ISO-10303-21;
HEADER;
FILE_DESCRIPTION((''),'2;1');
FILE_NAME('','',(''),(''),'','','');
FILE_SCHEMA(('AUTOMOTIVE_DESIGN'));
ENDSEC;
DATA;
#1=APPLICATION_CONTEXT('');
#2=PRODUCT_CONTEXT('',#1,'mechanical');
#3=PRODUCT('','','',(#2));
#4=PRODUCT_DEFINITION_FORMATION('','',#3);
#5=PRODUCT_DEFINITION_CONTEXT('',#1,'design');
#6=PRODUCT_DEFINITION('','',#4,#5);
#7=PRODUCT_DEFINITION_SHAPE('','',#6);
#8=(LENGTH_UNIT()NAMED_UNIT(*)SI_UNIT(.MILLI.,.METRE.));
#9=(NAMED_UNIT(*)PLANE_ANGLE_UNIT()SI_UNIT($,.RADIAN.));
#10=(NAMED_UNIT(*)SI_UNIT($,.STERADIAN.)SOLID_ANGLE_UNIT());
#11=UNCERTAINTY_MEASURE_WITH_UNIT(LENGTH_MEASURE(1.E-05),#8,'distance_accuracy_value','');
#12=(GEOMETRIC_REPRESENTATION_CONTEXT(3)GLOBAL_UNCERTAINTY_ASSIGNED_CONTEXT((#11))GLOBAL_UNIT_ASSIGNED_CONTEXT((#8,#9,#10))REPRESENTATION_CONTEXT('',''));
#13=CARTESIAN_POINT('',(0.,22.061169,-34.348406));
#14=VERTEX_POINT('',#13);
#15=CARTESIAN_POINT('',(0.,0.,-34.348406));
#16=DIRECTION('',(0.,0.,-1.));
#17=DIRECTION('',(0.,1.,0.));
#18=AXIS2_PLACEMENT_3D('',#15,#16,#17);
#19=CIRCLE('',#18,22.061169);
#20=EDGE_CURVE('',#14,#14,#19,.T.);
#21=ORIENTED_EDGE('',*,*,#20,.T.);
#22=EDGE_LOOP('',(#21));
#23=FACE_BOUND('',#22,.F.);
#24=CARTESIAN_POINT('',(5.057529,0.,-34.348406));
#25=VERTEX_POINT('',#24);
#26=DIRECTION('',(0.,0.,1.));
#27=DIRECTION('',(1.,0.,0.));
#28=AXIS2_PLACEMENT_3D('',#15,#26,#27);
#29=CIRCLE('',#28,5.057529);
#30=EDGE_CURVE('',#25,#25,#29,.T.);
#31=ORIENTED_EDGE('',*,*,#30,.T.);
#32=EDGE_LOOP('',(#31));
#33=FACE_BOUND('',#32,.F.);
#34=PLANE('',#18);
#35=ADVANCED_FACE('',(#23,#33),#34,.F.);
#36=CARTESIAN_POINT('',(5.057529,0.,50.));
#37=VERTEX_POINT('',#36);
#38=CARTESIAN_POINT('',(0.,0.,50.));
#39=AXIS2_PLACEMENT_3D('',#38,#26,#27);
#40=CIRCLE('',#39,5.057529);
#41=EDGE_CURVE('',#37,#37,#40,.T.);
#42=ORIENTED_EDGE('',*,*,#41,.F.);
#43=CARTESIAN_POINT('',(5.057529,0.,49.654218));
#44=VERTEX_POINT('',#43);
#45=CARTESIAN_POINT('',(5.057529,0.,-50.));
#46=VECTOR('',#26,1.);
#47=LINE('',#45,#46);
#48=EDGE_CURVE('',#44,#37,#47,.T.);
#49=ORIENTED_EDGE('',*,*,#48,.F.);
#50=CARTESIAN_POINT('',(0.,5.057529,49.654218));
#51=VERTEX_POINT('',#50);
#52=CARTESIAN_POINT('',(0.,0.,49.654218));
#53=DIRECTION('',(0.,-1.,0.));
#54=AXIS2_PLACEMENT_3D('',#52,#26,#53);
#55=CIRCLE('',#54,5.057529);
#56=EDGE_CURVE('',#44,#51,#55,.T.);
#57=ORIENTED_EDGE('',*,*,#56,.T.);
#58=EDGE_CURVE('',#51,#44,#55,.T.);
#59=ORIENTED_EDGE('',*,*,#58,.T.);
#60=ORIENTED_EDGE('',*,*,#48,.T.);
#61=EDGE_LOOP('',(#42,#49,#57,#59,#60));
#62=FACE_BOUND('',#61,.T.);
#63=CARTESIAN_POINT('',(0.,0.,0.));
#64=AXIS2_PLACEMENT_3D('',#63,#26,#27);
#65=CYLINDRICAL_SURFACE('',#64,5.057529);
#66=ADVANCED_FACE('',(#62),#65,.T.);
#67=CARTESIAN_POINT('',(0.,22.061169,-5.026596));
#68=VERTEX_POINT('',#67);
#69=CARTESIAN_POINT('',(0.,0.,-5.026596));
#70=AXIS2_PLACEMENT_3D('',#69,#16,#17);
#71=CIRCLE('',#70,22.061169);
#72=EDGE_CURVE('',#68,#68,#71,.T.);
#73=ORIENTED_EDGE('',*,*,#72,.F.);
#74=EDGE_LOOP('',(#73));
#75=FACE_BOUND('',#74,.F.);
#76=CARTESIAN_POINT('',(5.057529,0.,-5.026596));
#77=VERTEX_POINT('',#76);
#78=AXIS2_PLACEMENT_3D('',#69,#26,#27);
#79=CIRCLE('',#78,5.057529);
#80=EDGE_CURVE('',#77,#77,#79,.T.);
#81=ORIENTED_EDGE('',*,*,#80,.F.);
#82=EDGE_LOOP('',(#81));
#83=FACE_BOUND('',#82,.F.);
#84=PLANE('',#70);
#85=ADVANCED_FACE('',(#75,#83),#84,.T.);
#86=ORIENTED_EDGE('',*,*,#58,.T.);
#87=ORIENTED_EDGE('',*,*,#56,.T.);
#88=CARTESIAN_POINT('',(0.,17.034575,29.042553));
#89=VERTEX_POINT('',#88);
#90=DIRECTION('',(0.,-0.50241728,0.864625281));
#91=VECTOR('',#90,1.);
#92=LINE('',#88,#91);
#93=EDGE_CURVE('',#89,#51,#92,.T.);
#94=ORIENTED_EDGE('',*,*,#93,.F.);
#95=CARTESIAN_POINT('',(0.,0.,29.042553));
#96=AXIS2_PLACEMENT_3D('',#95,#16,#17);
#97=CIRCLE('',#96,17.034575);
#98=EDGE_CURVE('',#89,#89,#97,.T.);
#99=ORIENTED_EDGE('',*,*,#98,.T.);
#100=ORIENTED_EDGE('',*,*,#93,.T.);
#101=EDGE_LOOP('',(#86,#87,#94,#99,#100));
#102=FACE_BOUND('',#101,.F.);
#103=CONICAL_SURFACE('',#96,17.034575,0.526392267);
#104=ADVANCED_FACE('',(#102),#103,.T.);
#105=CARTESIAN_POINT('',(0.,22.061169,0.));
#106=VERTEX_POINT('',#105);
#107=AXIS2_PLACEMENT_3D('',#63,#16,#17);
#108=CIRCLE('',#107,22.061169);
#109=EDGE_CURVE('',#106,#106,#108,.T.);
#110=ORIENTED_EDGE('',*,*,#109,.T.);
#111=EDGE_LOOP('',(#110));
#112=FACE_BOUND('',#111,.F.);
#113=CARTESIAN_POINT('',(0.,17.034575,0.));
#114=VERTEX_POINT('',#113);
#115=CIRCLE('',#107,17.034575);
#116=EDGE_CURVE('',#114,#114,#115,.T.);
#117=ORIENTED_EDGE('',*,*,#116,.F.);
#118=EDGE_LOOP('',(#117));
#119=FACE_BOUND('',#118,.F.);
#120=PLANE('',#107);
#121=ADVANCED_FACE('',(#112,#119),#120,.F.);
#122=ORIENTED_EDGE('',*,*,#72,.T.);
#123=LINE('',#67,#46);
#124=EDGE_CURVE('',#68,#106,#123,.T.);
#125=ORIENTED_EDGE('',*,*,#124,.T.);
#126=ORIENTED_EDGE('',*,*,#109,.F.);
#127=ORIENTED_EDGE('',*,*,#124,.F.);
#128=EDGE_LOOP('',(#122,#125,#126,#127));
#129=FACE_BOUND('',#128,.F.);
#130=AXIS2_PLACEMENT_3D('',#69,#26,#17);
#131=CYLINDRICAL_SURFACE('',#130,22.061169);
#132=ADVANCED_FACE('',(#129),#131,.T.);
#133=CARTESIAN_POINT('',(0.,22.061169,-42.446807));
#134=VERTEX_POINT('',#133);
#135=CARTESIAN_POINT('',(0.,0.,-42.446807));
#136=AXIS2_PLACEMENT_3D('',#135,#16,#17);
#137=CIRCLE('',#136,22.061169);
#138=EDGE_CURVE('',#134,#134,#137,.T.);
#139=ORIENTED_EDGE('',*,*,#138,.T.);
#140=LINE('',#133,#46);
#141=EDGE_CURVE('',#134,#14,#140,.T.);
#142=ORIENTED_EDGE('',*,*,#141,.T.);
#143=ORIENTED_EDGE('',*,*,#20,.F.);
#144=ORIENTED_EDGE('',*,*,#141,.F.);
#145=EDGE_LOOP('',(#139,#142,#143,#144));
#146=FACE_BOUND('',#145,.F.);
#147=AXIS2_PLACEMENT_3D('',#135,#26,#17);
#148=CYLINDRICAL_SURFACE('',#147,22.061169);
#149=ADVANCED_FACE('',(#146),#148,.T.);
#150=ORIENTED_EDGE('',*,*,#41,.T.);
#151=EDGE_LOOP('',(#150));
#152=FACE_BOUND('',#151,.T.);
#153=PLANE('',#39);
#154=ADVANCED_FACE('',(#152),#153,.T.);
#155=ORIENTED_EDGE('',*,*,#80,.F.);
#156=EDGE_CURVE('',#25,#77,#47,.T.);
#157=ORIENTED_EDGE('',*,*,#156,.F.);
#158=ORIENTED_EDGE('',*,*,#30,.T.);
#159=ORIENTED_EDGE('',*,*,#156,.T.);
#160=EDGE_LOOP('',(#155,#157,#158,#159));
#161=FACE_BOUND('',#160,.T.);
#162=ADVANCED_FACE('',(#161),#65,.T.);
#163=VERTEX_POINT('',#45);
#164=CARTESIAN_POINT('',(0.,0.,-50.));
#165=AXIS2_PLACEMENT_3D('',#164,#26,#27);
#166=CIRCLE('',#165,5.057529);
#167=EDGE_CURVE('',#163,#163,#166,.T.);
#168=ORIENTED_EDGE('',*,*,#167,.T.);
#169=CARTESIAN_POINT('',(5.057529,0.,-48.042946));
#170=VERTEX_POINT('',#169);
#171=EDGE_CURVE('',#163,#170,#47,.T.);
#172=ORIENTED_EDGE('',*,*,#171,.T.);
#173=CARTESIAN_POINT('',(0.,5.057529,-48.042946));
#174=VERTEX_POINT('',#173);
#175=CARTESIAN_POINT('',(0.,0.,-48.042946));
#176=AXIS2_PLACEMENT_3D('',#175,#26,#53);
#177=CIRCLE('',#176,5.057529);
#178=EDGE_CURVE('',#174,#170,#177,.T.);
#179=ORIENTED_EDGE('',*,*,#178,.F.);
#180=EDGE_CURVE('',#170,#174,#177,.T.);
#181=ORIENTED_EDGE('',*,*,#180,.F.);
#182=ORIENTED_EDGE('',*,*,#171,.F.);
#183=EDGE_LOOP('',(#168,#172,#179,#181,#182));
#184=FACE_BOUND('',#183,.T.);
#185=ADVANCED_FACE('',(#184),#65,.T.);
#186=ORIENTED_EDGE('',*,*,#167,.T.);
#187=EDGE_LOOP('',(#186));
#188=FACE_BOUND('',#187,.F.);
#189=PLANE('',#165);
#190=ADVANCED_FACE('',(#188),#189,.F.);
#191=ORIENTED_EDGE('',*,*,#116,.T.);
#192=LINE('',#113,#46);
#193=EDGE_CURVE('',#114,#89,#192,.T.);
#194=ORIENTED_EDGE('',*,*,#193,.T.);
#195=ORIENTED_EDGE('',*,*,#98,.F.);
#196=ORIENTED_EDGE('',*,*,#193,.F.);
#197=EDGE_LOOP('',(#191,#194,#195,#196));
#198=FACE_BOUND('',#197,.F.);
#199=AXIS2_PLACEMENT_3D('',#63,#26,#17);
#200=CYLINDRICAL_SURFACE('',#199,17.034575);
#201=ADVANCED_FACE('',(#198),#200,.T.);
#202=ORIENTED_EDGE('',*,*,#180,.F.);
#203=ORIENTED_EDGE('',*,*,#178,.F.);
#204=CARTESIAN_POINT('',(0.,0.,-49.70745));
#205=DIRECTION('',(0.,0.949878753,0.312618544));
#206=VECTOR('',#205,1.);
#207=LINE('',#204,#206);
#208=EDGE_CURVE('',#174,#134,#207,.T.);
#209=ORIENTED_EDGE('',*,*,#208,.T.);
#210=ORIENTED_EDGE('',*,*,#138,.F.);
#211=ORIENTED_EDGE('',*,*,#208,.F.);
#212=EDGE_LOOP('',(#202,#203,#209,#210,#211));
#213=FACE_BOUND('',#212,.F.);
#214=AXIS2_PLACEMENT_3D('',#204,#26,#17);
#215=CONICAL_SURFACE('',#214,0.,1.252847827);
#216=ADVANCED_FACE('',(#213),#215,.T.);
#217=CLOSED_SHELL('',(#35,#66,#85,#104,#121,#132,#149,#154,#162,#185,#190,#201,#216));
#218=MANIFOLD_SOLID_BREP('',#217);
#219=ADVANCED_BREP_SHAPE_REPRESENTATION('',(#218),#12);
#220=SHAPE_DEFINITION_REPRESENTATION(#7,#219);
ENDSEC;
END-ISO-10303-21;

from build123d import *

# Parameters (mm, degrees)
F0_R     = 5.057529
F1_DEPTH = 50


with BuildPart() as f1:
    # F0 (on Top) → F1 (new body, symmetric)
    with BuildSketch(Plane.XY):
        Circle(F0_R)
    extrude(amount=F1_DEPTH, both=True)

    # F2 (on Right) → F3 (revolve)
    with BuildSketch(Plane.YZ):
        Polygon((5.026597, 49.70745), (0, 49.70745), (0, -5.026596), (22.061169, -5.026596), (22.061169, 0), (17.034575, 0), (17.034575, 29.042553), align=None)
        Polygon((22.061169, -34.348406), (0, -34.348406), (0, -49.70745), (22.061169, -42.446807), align=None)
    revolve(axis=Axis((0, 0, 19.966756), (0, 0, -1)))


solid = f1.part
